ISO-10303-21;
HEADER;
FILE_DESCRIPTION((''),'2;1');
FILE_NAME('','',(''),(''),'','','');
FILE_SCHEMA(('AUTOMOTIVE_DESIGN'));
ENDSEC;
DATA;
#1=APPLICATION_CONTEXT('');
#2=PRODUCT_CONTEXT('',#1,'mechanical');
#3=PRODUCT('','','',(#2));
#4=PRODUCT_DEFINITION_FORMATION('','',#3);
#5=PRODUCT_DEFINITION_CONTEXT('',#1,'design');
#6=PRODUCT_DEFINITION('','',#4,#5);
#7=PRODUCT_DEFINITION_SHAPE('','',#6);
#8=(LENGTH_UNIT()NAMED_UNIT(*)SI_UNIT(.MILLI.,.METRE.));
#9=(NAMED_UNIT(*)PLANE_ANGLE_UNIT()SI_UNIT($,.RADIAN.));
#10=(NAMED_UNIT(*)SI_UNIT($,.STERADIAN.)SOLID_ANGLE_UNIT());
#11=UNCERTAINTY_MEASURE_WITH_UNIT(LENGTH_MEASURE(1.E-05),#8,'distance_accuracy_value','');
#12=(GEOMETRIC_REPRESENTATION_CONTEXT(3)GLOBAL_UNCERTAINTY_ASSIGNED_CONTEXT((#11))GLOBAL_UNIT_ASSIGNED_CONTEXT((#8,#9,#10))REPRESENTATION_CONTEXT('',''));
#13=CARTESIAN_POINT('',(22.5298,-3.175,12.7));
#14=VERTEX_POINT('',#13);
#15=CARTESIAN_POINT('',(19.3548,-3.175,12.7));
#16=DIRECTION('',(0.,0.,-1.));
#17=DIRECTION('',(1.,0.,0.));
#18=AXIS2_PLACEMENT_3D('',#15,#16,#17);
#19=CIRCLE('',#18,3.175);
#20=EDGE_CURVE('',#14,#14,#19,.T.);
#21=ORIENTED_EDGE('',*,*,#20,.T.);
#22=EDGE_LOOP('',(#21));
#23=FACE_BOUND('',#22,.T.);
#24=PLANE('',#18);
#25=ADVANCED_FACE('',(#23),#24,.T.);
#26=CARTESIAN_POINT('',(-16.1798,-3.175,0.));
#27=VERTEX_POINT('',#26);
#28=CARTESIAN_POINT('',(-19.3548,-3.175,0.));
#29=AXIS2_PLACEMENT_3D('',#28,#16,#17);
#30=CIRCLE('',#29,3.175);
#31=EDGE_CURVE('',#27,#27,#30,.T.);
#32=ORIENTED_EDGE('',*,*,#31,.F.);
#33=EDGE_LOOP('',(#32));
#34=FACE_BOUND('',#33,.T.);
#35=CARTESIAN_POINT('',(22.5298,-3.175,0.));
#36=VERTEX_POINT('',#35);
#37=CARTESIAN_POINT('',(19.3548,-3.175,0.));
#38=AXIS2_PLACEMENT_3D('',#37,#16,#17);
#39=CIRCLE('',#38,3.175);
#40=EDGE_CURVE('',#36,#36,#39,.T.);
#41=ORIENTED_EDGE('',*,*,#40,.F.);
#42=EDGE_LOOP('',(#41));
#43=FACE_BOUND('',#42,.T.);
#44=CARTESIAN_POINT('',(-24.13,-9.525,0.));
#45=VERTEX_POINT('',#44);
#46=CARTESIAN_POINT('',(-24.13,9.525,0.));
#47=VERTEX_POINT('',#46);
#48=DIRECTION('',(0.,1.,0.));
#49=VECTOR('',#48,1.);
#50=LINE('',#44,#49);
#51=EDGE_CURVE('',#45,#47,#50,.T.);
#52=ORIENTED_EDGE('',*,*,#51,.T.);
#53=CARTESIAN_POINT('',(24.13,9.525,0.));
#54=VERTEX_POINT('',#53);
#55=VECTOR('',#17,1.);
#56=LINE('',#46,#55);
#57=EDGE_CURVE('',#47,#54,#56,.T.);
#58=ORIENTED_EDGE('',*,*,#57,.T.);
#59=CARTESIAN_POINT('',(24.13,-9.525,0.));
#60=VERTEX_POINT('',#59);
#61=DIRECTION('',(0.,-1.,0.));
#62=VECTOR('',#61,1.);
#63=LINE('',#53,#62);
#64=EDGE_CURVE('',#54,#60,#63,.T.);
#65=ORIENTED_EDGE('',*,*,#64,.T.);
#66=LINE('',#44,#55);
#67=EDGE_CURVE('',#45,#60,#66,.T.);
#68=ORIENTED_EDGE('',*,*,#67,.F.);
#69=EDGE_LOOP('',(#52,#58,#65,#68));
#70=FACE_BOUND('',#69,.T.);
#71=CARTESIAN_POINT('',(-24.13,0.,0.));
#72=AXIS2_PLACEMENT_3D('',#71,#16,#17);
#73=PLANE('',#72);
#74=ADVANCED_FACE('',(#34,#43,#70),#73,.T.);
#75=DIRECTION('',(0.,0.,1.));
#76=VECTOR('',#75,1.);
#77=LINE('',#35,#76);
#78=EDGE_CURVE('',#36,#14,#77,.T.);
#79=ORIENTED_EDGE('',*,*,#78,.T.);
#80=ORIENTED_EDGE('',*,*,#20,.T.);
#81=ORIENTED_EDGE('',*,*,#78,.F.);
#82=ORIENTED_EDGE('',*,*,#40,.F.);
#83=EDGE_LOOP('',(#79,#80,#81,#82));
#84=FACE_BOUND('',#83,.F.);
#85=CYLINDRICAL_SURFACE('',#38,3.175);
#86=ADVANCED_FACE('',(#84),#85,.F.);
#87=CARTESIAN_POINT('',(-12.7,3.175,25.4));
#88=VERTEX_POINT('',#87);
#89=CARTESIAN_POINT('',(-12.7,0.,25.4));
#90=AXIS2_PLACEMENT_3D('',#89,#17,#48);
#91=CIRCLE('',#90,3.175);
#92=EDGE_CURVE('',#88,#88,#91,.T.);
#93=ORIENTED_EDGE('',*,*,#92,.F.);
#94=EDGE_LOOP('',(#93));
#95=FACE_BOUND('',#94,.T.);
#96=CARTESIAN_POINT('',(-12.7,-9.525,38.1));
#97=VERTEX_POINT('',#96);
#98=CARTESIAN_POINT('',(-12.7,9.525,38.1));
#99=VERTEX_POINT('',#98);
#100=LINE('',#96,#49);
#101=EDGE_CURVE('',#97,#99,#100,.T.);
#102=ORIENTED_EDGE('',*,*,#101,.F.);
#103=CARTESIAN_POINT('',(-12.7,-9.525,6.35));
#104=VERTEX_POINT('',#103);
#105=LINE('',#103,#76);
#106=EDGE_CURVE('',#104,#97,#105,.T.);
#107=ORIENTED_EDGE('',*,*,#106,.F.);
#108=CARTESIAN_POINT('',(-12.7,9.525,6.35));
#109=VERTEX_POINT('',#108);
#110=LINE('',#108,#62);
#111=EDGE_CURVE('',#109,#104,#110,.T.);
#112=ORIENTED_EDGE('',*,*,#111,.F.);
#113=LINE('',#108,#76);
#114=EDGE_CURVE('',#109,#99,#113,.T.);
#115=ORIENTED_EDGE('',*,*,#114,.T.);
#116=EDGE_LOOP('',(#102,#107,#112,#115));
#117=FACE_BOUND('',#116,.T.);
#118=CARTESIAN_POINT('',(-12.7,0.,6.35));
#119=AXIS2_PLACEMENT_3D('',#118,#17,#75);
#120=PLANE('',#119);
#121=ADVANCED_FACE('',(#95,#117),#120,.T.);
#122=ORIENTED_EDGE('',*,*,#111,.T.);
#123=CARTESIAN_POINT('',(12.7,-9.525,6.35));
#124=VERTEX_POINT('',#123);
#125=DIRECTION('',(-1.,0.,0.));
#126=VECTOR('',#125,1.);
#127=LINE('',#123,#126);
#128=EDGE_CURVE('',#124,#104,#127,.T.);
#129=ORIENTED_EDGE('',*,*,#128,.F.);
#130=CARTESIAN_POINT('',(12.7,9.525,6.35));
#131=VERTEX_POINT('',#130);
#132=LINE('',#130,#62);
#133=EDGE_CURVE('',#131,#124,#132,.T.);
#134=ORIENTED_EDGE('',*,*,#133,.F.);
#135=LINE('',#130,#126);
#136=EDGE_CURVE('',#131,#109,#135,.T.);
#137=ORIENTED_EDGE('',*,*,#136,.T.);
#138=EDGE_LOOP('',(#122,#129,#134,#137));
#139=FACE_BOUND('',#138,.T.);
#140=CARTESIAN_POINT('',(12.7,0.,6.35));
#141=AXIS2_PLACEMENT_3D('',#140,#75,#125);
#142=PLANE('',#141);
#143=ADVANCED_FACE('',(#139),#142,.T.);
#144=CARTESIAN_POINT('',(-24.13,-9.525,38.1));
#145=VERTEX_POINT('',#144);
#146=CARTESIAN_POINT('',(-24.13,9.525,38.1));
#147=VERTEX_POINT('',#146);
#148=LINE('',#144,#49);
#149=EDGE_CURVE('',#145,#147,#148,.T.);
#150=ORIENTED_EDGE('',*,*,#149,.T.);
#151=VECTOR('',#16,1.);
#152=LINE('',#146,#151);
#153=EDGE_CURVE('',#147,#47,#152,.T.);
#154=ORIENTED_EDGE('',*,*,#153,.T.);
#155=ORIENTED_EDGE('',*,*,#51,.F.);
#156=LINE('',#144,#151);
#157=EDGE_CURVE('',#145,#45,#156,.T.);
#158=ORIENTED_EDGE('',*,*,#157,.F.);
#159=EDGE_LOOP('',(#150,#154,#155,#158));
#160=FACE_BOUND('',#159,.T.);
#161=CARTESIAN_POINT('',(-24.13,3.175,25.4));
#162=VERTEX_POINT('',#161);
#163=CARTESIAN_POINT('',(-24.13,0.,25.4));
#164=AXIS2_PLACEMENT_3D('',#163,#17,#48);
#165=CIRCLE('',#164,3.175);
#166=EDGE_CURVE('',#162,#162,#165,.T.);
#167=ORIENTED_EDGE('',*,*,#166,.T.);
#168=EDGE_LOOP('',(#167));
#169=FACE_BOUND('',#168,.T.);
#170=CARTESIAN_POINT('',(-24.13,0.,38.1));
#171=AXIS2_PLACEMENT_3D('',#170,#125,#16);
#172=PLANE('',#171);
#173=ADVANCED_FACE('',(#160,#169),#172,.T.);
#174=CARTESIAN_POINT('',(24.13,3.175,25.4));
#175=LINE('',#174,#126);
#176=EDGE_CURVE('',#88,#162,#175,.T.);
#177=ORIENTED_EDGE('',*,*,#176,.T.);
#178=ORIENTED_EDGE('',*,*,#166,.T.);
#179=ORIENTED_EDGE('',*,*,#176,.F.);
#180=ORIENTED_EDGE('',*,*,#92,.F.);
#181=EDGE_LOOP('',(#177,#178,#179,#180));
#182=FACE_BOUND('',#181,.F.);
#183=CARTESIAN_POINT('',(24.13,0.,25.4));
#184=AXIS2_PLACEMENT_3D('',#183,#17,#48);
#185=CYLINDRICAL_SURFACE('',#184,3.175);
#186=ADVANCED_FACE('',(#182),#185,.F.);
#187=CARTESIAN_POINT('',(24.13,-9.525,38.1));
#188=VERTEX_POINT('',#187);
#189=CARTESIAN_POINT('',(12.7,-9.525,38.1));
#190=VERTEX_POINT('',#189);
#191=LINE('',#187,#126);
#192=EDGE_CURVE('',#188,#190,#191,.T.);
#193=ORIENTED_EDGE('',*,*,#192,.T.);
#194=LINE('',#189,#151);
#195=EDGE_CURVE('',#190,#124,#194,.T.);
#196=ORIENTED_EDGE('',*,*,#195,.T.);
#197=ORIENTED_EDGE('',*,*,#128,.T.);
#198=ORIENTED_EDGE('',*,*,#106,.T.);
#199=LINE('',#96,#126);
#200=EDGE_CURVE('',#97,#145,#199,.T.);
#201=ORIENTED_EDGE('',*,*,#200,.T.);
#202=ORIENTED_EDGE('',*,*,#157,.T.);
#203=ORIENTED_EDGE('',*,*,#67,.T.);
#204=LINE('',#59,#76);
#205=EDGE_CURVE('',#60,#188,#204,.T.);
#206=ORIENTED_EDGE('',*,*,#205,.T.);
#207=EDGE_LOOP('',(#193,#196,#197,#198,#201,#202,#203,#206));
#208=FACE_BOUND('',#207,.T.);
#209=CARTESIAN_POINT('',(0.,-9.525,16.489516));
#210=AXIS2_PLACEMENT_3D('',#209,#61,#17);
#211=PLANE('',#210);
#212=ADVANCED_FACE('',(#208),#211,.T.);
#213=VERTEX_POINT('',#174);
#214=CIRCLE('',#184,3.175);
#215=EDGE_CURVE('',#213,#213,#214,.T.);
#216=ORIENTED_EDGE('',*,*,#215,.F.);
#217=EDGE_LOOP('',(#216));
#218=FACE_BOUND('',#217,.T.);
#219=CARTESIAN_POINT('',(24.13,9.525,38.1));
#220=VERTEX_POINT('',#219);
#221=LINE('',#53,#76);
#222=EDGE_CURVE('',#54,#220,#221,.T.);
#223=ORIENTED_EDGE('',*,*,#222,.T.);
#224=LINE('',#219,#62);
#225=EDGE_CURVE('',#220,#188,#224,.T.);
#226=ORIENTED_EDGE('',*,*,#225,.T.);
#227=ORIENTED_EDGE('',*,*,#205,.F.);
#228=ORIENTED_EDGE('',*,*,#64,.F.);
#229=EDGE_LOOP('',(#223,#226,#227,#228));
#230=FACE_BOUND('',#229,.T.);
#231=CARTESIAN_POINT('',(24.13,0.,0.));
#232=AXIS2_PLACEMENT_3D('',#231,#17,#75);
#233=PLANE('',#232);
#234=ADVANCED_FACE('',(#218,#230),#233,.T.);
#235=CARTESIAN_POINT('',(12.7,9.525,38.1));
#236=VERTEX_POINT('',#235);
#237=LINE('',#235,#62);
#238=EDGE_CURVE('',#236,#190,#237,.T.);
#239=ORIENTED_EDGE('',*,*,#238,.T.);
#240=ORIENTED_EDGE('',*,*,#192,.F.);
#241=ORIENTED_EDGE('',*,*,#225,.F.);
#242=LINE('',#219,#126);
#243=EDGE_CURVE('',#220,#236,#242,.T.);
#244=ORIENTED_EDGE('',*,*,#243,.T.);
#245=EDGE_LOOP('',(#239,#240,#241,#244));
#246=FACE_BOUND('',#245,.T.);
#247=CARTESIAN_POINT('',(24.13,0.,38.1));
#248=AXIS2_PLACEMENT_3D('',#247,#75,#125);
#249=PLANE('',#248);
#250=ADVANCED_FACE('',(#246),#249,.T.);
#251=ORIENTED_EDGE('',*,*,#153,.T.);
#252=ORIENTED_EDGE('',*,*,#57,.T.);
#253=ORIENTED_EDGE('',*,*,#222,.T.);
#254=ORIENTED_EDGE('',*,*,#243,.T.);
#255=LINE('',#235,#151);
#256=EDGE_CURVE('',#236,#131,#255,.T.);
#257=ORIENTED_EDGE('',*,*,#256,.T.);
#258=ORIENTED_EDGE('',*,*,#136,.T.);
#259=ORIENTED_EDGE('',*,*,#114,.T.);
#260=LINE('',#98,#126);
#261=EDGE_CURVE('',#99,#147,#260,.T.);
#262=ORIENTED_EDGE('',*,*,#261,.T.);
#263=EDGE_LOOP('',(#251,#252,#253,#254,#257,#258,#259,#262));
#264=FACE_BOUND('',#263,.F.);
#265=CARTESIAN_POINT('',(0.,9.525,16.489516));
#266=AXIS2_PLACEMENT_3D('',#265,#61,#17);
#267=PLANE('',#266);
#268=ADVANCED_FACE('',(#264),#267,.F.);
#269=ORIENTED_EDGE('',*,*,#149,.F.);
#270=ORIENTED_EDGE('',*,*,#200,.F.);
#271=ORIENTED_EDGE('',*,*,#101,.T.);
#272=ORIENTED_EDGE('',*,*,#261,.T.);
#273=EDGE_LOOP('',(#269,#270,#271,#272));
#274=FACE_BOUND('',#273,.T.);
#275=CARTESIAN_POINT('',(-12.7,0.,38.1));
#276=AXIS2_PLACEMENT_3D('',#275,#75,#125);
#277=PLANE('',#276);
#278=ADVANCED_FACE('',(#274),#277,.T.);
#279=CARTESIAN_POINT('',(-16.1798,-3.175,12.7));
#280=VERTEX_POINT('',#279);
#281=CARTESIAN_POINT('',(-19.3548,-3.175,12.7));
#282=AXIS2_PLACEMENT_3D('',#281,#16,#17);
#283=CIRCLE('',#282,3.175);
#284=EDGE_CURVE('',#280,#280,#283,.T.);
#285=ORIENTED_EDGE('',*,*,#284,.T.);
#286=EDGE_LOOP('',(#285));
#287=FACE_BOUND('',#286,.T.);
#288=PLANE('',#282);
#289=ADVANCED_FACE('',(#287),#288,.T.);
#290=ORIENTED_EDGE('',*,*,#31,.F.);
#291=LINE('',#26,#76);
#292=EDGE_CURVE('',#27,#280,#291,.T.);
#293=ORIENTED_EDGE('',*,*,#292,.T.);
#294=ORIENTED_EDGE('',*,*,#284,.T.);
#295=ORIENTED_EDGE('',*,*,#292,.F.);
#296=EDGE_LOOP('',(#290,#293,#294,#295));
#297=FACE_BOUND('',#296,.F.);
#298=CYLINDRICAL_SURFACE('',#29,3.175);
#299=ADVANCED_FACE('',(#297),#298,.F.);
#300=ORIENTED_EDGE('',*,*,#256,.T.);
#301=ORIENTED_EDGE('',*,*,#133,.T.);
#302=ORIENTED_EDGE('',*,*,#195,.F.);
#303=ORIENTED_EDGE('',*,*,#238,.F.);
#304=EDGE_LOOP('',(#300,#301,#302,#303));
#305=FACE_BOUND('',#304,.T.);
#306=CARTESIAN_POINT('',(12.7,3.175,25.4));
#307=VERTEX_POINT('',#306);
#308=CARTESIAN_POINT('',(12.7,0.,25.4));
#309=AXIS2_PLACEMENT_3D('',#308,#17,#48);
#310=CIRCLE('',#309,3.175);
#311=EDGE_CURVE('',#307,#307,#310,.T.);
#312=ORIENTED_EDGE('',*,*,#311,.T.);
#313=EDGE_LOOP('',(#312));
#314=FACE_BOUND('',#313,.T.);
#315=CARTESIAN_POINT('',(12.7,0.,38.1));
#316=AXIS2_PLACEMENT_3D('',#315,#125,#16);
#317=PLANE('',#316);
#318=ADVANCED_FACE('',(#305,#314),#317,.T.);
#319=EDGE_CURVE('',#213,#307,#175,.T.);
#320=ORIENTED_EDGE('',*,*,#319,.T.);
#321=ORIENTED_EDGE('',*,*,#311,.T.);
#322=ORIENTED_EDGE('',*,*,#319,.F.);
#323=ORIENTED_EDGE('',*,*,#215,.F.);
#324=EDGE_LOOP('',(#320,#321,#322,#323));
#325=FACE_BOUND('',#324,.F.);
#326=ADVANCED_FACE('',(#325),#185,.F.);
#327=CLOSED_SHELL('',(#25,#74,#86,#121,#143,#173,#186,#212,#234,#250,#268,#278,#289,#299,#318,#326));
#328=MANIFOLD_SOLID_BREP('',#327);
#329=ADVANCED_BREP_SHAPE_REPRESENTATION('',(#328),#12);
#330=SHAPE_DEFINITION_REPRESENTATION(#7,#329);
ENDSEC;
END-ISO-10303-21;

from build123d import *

# Parameters (mm, degrees)
F1_DEPTH = 9.525
F2_R     = 3.175
F3_DEPTH = 59.182
F4_R     = 3.175
F5_DEPTH = 12.7


with BuildPart() as f1:
    # F0 (on Front) → F1 (new body, symmetric)
    with BuildSketch(Plane.XZ):
        Polygon((-24.13, 0), (0, 0), (24.13, 0), (24.13, 38.1), (12.7, 38.1), (12.7, 6.35), (0, 6.35), (-12.7, 6.35), (-12.7, 38.1), (-24.13, 38.1), align=None)
    extrude(amount=F1_DEPTH, both=True)

    # F2 (on face) → F3 (cut)
    with BuildSketch(Plane.YZ.offset(24.13)):
        with Locations((0, 25.4)):
            Circle(F2_R)
    extrude(amount=-F3_DEPTH, mode=Mode.SUBTRACT)

    # F4 (on face) → F5 (cut)
    with BuildSketch(Plane(origin=(0, 0, 0), x_dir=(1, 0, 0), z_dir=(0, 0, -1))):
        with Locations((-19.3548, 3.175)):
            Circle(F4_R)
        with Locations((19.3548, 3.175)):
            Circle(F4_R)
    extrude(amount=-F5_DEPTH, mode=Mode.SUBTRACT)


solid = f1.part
